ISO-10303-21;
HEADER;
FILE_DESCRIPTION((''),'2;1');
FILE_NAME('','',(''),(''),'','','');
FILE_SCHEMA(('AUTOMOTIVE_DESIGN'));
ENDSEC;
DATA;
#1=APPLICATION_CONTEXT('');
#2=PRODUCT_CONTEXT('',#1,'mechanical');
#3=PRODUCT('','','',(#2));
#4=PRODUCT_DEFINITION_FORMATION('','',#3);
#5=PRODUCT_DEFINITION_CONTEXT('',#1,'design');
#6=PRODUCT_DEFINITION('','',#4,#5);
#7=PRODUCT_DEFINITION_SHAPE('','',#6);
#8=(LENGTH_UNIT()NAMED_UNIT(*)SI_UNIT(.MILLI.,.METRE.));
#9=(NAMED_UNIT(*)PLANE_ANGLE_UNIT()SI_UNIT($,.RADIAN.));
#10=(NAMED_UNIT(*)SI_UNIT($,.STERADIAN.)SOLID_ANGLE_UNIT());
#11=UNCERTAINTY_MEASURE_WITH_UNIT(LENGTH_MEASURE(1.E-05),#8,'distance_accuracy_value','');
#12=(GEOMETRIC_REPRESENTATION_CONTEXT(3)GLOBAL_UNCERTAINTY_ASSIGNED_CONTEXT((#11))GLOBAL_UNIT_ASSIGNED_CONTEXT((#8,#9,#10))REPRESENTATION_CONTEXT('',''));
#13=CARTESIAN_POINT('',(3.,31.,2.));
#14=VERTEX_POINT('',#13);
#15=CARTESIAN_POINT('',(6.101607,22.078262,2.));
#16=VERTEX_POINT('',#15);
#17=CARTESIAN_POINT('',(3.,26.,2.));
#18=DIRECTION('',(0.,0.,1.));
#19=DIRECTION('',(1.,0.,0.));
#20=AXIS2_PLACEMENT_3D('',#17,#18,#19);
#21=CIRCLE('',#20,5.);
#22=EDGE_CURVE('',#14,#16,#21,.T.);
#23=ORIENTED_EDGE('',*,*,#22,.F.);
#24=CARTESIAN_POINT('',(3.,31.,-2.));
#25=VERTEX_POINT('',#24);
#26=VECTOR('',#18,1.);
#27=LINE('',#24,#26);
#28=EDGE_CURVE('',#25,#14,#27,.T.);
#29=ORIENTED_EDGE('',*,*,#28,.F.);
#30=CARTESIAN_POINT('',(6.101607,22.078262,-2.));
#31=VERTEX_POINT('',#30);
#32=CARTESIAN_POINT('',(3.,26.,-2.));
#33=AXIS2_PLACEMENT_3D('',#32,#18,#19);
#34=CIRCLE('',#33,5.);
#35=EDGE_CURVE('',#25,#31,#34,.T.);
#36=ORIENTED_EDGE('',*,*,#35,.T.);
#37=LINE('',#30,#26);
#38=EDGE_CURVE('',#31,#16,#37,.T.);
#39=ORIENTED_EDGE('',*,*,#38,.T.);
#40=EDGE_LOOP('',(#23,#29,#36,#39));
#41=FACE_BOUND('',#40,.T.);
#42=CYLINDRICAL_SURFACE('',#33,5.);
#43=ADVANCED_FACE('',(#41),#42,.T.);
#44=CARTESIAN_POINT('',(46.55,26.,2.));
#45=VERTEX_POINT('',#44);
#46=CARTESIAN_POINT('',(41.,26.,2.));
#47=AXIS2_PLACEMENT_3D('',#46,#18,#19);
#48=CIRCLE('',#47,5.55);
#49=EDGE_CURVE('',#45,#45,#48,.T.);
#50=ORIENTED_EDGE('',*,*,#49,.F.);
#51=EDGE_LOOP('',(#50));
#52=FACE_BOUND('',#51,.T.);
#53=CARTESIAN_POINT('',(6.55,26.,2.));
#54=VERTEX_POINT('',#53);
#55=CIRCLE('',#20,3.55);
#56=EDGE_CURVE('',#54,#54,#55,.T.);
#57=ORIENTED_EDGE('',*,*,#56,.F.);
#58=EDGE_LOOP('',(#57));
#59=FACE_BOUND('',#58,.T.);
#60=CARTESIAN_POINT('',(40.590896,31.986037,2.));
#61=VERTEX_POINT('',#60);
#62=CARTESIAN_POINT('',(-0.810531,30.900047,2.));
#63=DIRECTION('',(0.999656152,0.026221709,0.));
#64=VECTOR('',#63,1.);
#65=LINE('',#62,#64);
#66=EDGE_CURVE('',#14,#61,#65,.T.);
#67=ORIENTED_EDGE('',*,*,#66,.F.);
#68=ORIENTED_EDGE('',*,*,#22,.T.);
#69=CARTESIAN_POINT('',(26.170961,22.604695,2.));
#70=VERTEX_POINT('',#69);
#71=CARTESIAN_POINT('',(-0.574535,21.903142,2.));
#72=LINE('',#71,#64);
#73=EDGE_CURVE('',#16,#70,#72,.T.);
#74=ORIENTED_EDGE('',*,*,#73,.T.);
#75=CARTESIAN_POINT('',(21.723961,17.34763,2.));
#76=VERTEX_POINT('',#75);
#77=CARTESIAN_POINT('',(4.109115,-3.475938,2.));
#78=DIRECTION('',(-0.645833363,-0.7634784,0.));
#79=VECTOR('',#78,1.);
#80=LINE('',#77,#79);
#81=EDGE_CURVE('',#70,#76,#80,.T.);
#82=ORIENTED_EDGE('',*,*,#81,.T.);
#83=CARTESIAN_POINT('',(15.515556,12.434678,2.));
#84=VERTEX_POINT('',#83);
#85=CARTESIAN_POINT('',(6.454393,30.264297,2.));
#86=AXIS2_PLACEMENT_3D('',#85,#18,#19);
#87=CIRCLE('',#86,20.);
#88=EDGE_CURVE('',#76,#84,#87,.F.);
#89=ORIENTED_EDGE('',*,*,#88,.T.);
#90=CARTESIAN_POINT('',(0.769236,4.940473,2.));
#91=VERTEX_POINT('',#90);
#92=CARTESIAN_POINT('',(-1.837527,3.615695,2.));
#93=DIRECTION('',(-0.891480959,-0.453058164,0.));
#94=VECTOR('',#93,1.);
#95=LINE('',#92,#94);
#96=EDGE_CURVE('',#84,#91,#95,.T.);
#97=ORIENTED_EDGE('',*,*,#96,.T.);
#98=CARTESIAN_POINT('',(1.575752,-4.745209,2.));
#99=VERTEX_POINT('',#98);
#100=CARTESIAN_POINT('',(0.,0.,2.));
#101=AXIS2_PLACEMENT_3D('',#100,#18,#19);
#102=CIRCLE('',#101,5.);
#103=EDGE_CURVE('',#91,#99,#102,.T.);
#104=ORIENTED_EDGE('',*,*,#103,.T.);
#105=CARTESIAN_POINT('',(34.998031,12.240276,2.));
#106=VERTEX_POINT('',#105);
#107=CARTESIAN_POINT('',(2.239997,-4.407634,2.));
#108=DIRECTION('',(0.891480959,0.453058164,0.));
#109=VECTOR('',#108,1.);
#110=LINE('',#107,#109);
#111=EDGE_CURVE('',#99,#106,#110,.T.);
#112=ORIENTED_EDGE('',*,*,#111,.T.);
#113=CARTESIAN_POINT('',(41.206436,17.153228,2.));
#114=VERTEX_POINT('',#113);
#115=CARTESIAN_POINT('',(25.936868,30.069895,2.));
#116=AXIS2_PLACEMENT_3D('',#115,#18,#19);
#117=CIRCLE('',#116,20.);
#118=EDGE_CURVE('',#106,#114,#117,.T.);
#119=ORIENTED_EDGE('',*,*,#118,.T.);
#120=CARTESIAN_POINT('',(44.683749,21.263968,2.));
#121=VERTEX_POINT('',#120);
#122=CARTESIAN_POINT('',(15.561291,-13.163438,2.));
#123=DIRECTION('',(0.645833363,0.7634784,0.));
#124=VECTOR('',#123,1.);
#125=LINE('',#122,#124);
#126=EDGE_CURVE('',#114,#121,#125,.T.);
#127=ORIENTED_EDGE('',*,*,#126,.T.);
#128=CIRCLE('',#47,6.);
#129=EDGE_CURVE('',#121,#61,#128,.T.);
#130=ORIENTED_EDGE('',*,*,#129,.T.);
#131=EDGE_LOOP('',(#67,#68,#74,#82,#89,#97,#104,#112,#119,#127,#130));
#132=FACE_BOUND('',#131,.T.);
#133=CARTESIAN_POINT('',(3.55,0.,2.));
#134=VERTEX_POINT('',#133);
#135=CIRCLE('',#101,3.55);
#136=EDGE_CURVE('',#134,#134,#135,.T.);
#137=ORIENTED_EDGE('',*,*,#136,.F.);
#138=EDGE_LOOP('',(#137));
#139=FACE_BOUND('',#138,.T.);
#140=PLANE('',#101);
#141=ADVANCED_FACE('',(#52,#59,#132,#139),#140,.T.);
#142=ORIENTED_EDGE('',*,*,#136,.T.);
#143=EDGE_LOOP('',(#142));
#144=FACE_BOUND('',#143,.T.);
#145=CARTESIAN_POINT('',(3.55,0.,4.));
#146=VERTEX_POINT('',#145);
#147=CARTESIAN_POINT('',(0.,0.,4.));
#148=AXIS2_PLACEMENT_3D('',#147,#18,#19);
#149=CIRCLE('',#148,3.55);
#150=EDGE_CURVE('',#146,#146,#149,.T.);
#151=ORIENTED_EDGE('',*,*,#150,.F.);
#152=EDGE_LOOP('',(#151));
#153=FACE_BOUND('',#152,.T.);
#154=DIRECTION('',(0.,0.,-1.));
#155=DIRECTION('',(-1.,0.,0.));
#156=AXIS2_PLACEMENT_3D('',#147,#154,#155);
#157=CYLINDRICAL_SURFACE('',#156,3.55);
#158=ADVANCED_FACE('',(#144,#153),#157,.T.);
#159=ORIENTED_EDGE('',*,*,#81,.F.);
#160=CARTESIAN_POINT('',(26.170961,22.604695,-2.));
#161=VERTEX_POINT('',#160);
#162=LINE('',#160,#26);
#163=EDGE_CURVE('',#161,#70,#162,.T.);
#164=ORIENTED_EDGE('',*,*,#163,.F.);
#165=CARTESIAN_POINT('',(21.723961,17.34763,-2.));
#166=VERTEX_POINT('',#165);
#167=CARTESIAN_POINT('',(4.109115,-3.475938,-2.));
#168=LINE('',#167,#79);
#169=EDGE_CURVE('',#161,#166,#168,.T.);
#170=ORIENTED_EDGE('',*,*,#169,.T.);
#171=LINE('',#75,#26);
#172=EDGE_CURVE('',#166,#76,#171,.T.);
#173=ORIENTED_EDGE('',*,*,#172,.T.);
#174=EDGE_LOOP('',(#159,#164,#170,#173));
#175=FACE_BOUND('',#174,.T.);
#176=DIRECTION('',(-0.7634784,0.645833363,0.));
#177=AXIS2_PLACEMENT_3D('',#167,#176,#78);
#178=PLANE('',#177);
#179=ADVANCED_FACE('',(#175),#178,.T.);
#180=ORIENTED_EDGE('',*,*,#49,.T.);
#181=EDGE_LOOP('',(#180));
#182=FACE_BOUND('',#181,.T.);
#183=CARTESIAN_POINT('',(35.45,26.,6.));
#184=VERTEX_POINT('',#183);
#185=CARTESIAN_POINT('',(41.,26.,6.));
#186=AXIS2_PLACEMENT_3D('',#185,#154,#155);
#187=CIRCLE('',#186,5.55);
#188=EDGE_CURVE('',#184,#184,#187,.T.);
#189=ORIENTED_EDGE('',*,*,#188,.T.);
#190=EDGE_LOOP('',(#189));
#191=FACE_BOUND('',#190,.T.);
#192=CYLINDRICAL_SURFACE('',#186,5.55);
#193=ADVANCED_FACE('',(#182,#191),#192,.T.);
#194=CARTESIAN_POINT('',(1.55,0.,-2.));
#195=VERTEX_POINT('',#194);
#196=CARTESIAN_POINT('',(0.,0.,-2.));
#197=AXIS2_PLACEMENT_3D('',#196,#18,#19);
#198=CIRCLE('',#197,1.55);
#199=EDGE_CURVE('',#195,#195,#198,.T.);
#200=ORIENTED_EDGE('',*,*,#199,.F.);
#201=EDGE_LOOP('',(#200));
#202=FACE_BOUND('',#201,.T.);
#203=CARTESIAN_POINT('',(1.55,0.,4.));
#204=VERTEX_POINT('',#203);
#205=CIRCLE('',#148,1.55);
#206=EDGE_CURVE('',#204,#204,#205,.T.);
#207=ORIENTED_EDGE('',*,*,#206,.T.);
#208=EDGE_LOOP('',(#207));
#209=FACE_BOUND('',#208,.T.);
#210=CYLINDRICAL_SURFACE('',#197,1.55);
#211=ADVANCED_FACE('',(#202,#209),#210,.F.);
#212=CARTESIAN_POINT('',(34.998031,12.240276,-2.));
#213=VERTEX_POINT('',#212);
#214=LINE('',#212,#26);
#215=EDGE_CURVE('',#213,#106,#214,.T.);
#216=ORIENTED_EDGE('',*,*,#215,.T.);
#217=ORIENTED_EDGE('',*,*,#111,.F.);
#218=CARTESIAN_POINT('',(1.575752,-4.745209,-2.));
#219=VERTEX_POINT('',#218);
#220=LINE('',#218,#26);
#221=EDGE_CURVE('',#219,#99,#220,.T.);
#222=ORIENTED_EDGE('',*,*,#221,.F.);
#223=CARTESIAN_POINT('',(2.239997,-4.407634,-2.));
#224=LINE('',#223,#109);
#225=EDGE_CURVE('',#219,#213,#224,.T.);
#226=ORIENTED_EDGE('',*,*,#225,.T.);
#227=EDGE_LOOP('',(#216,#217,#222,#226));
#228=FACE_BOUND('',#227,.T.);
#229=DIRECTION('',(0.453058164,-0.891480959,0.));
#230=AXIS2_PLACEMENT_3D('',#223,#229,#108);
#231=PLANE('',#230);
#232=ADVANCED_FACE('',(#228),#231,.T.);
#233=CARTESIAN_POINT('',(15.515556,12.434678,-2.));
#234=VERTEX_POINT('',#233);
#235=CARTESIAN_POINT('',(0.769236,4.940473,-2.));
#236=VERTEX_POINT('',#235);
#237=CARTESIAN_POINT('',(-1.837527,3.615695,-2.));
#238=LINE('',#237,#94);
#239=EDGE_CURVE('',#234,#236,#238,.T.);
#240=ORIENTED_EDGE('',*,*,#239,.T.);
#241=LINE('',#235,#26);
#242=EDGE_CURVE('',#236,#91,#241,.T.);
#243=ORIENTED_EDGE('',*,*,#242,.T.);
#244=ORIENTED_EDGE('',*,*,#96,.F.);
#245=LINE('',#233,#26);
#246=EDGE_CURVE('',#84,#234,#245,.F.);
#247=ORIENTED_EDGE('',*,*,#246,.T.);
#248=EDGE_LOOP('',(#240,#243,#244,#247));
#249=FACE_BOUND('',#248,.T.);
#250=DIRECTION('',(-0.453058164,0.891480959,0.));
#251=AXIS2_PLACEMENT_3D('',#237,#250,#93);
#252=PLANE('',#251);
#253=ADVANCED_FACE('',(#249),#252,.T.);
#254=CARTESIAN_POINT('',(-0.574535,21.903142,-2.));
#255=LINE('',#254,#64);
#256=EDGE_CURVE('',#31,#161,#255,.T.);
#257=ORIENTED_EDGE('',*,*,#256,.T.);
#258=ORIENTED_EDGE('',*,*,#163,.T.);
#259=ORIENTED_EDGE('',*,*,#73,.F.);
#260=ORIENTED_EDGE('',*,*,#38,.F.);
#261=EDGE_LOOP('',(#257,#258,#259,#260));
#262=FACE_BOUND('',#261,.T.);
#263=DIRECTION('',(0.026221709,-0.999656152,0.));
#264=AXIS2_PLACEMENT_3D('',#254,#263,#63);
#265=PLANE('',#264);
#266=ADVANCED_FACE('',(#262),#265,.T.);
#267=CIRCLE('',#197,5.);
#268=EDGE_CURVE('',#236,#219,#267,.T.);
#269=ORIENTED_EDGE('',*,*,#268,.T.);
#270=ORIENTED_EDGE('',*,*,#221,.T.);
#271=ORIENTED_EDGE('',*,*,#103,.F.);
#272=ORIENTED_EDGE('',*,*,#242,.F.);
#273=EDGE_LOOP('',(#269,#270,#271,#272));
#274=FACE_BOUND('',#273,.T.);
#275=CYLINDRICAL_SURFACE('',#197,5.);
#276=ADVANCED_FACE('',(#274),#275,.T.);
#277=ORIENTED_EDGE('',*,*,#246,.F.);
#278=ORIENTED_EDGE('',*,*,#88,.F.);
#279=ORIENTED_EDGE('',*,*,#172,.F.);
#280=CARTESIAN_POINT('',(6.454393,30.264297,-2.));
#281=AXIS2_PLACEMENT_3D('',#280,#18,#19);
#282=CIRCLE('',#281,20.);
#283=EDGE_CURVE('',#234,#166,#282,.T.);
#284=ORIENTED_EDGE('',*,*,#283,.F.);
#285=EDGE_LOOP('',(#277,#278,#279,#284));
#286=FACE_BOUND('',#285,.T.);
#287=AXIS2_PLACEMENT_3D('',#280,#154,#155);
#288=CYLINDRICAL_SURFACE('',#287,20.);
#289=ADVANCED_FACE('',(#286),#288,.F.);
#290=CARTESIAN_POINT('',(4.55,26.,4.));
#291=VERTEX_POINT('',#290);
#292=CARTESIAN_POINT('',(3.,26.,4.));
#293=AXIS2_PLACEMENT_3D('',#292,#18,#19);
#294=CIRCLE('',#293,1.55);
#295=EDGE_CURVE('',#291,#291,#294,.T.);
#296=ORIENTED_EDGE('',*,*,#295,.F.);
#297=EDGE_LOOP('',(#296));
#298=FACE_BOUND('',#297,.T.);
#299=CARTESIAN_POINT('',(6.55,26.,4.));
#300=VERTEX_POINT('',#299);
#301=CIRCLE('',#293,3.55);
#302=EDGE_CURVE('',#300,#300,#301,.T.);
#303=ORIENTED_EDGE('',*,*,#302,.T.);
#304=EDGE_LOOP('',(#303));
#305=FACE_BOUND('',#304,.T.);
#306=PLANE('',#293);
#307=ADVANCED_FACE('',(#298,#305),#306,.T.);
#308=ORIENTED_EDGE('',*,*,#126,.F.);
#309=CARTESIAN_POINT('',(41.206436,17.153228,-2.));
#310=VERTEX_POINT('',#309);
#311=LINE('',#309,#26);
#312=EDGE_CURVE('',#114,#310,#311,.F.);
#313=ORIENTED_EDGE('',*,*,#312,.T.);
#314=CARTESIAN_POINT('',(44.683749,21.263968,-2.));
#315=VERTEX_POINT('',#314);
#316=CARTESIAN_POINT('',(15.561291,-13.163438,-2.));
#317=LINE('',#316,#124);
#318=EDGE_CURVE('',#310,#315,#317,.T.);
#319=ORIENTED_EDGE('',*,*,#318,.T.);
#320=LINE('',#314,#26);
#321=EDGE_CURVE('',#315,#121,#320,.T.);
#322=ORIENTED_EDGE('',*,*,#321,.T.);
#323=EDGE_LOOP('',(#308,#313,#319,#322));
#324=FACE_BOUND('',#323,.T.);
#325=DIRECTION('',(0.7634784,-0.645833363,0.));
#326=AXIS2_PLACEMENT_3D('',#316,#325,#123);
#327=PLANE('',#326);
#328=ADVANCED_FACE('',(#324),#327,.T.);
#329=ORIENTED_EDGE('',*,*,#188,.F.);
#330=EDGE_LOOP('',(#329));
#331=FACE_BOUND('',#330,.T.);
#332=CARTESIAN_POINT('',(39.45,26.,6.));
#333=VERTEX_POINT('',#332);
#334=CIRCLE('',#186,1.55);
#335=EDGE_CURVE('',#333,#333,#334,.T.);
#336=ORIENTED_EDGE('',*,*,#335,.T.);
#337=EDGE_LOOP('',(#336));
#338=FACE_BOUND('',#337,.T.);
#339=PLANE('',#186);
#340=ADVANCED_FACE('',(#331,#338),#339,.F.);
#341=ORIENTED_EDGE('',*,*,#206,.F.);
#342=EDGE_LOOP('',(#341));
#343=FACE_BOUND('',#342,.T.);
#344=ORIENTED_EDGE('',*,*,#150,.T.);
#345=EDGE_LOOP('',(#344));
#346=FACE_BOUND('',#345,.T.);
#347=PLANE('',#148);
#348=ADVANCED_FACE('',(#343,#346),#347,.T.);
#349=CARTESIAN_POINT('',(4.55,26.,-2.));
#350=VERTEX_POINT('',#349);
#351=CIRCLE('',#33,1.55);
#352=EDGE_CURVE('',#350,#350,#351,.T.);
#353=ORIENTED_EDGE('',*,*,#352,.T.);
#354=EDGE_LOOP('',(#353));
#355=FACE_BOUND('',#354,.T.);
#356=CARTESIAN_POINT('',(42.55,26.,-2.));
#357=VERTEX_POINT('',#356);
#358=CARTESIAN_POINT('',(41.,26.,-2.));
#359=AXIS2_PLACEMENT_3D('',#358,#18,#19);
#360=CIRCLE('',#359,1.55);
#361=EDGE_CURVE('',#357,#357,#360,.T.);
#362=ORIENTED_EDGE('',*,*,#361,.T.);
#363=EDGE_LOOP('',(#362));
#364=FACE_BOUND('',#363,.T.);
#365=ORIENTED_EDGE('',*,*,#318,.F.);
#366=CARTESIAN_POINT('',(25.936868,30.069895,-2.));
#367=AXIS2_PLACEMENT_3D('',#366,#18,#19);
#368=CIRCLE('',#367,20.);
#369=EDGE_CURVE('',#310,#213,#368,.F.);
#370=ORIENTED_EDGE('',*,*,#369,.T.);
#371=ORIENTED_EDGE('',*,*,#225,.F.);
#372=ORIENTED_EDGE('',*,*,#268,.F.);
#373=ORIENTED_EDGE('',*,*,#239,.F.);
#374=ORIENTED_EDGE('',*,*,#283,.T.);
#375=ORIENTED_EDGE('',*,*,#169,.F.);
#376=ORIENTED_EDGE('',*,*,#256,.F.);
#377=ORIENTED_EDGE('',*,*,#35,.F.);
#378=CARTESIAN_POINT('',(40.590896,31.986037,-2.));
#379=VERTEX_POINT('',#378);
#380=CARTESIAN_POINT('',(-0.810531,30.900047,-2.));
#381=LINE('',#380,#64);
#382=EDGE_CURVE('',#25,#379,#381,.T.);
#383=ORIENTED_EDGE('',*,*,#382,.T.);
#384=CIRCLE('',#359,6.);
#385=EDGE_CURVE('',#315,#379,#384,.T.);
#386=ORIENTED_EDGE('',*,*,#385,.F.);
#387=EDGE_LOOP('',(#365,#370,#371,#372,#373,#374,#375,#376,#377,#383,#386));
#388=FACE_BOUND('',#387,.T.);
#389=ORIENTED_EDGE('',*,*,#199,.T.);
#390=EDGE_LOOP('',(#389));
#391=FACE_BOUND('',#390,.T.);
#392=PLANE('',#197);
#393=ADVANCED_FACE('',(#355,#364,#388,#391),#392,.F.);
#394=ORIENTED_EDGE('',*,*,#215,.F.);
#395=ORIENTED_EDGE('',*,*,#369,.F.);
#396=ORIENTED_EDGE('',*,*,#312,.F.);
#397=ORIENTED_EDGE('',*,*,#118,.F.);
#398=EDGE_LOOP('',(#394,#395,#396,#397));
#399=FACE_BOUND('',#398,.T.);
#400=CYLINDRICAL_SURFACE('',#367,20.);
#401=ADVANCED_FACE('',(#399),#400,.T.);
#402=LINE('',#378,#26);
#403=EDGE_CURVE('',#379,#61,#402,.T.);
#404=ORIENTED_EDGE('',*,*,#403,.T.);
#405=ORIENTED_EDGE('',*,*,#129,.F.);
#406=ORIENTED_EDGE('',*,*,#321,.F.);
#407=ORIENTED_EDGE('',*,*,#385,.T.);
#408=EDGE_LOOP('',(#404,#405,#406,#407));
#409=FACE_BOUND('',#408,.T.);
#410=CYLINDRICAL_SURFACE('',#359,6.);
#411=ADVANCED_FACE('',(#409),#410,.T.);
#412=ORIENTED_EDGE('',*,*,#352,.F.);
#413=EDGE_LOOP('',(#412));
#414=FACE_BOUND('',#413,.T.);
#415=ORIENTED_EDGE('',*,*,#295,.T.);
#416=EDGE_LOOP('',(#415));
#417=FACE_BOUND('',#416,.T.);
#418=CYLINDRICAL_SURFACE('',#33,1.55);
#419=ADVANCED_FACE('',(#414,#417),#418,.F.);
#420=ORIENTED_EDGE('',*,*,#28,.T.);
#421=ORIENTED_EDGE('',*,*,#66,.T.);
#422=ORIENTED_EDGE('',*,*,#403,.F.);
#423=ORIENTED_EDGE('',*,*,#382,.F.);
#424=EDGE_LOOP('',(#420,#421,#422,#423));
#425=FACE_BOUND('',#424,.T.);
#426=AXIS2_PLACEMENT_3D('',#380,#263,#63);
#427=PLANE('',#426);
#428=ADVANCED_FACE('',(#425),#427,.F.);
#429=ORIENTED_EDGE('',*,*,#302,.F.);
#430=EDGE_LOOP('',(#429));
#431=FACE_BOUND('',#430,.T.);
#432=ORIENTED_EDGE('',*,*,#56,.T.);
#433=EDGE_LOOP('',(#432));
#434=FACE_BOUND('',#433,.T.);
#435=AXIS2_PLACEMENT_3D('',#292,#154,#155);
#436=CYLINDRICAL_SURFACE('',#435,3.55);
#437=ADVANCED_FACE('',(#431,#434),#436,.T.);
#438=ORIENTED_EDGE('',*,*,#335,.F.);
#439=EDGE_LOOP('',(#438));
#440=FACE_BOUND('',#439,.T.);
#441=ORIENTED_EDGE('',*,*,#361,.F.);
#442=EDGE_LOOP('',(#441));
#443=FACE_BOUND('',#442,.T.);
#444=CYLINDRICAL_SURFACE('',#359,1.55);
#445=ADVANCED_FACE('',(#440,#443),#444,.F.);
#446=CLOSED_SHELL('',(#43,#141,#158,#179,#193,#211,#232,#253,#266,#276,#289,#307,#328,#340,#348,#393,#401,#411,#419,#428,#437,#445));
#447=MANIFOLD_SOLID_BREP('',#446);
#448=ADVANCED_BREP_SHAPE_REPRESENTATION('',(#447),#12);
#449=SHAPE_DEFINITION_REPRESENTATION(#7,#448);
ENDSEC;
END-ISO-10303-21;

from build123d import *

# Parameters (mm, degrees)
BOSS_EXTRUDE1_DEPTH      = 2
BOSS_EXTRUDE1_DEPTH_BACK = 2
SKETCH2_R                = 1.55
FILLET1_R                = 20
SKETCH7_R                = 5.55
SKETCH7_R_2              = 1.55
BOSS_EXTRUDE4_DEPTH      = 4
SKETCH8_R                = 3.55
SKETCH8_R_2              = 1.55
BOSS_EXTRUDE5_DEPTH      = 2


with BuildPart() as part:
    # Sketch2 → Boss-Extrude1 (new, two sides: drawn at the far end of the back side and taken through both)
    with BuildSketch(Plane.XY.offset(-BOSS_EXTRUDE1_DEPTH_BACK)):
        with BuildLine():
            ThreePointArc((0.76923556, 4.940473323), (-4.982755324, -0.41490888), (1.575752274, -4.745208612))
            Line((1.575752274, -4.745208612), (38.598254294, 14.069940073))
            Line((38.598254294, 14.069940073), (44.683748534, 21.26396825))
            ThreePointArc((44.683748534, 21.26396825), (46.605489471, 28.139740122), (40.590896347, 31.986036602))
            Line((40.590896347, 31.986036602), (3, 31))
            ThreePointArc((3, 31), (-1.722747684, 24.35815521), (6.101607472, 22.078261726))
            Line((6.101607472, 22.078261726), (26.170960727, 22.604695486))
            Line((26.170960727, 22.604695486), (19.115779569, 14.264342174))
            Line((19.115779569, 14.264342174), (0.76923556, 4.940473323))
        make_face()
        Circle(SKETCH2_R, mode=Mode.SUBTRACT)
        with Locations((3, 26)):
            Circle(SKETCH2_R, mode=Mode.SUBTRACT)
        with Locations((41, 26)):
            Circle(SKETCH2_R, mode=Mode.SUBTRACT)
    extrude(amount=BOSS_EXTRUDE1_DEPTH + BOSS_EXTRUDE1_DEPTH_BACK)

    # Fillet1
    fillet1_edges = [part.edges().sort_by_distance(p)[0] for p in [
        (38.598254294, 14.069940073, 0),
        (19.115779569, 14.264342174, 0),
    ]]
    fillet(fillet1_edges, radius=FILLET1_R)

    # Sketch7 → Boss-Extrude4 (add)
    with BuildSketch(Plane(origin=(0, 0, 2), x_dir=(-1, 0, 0), z_dir=(0, 0, -1))):
        with Locations((-41, 26)):
            Circle(SKETCH7_R)
        with Locations((-41, 26)):
            Circle(SKETCH7_R_2, mode=Mode.SUBTRACT)
    extrude(amount=-BOSS_EXTRUDE4_DEPTH)

    # Sketch8 → Boss-Extrude5 (add)
    # profile 1 of 2: a face of its own
    with BuildSketch(Plane.XY.offset(2)):
        with Locations((3, 26)):
            Circle(SKETCH8_R)
        with Locations((3, 26)):
            Circle(SKETCH8_R_2, mode=Mode.SUBTRACT)
    # profile 2 of 2: a face of its own
    with BuildSketch(Plane.XY.offset(2)):
        Circle(SKETCH8_R)
        Circle(SKETCH8_R_2, mode=Mode.SUBTRACT)
    extrude(amount=BOSS_EXTRUDE5_DEPTH)


solid = part.part
